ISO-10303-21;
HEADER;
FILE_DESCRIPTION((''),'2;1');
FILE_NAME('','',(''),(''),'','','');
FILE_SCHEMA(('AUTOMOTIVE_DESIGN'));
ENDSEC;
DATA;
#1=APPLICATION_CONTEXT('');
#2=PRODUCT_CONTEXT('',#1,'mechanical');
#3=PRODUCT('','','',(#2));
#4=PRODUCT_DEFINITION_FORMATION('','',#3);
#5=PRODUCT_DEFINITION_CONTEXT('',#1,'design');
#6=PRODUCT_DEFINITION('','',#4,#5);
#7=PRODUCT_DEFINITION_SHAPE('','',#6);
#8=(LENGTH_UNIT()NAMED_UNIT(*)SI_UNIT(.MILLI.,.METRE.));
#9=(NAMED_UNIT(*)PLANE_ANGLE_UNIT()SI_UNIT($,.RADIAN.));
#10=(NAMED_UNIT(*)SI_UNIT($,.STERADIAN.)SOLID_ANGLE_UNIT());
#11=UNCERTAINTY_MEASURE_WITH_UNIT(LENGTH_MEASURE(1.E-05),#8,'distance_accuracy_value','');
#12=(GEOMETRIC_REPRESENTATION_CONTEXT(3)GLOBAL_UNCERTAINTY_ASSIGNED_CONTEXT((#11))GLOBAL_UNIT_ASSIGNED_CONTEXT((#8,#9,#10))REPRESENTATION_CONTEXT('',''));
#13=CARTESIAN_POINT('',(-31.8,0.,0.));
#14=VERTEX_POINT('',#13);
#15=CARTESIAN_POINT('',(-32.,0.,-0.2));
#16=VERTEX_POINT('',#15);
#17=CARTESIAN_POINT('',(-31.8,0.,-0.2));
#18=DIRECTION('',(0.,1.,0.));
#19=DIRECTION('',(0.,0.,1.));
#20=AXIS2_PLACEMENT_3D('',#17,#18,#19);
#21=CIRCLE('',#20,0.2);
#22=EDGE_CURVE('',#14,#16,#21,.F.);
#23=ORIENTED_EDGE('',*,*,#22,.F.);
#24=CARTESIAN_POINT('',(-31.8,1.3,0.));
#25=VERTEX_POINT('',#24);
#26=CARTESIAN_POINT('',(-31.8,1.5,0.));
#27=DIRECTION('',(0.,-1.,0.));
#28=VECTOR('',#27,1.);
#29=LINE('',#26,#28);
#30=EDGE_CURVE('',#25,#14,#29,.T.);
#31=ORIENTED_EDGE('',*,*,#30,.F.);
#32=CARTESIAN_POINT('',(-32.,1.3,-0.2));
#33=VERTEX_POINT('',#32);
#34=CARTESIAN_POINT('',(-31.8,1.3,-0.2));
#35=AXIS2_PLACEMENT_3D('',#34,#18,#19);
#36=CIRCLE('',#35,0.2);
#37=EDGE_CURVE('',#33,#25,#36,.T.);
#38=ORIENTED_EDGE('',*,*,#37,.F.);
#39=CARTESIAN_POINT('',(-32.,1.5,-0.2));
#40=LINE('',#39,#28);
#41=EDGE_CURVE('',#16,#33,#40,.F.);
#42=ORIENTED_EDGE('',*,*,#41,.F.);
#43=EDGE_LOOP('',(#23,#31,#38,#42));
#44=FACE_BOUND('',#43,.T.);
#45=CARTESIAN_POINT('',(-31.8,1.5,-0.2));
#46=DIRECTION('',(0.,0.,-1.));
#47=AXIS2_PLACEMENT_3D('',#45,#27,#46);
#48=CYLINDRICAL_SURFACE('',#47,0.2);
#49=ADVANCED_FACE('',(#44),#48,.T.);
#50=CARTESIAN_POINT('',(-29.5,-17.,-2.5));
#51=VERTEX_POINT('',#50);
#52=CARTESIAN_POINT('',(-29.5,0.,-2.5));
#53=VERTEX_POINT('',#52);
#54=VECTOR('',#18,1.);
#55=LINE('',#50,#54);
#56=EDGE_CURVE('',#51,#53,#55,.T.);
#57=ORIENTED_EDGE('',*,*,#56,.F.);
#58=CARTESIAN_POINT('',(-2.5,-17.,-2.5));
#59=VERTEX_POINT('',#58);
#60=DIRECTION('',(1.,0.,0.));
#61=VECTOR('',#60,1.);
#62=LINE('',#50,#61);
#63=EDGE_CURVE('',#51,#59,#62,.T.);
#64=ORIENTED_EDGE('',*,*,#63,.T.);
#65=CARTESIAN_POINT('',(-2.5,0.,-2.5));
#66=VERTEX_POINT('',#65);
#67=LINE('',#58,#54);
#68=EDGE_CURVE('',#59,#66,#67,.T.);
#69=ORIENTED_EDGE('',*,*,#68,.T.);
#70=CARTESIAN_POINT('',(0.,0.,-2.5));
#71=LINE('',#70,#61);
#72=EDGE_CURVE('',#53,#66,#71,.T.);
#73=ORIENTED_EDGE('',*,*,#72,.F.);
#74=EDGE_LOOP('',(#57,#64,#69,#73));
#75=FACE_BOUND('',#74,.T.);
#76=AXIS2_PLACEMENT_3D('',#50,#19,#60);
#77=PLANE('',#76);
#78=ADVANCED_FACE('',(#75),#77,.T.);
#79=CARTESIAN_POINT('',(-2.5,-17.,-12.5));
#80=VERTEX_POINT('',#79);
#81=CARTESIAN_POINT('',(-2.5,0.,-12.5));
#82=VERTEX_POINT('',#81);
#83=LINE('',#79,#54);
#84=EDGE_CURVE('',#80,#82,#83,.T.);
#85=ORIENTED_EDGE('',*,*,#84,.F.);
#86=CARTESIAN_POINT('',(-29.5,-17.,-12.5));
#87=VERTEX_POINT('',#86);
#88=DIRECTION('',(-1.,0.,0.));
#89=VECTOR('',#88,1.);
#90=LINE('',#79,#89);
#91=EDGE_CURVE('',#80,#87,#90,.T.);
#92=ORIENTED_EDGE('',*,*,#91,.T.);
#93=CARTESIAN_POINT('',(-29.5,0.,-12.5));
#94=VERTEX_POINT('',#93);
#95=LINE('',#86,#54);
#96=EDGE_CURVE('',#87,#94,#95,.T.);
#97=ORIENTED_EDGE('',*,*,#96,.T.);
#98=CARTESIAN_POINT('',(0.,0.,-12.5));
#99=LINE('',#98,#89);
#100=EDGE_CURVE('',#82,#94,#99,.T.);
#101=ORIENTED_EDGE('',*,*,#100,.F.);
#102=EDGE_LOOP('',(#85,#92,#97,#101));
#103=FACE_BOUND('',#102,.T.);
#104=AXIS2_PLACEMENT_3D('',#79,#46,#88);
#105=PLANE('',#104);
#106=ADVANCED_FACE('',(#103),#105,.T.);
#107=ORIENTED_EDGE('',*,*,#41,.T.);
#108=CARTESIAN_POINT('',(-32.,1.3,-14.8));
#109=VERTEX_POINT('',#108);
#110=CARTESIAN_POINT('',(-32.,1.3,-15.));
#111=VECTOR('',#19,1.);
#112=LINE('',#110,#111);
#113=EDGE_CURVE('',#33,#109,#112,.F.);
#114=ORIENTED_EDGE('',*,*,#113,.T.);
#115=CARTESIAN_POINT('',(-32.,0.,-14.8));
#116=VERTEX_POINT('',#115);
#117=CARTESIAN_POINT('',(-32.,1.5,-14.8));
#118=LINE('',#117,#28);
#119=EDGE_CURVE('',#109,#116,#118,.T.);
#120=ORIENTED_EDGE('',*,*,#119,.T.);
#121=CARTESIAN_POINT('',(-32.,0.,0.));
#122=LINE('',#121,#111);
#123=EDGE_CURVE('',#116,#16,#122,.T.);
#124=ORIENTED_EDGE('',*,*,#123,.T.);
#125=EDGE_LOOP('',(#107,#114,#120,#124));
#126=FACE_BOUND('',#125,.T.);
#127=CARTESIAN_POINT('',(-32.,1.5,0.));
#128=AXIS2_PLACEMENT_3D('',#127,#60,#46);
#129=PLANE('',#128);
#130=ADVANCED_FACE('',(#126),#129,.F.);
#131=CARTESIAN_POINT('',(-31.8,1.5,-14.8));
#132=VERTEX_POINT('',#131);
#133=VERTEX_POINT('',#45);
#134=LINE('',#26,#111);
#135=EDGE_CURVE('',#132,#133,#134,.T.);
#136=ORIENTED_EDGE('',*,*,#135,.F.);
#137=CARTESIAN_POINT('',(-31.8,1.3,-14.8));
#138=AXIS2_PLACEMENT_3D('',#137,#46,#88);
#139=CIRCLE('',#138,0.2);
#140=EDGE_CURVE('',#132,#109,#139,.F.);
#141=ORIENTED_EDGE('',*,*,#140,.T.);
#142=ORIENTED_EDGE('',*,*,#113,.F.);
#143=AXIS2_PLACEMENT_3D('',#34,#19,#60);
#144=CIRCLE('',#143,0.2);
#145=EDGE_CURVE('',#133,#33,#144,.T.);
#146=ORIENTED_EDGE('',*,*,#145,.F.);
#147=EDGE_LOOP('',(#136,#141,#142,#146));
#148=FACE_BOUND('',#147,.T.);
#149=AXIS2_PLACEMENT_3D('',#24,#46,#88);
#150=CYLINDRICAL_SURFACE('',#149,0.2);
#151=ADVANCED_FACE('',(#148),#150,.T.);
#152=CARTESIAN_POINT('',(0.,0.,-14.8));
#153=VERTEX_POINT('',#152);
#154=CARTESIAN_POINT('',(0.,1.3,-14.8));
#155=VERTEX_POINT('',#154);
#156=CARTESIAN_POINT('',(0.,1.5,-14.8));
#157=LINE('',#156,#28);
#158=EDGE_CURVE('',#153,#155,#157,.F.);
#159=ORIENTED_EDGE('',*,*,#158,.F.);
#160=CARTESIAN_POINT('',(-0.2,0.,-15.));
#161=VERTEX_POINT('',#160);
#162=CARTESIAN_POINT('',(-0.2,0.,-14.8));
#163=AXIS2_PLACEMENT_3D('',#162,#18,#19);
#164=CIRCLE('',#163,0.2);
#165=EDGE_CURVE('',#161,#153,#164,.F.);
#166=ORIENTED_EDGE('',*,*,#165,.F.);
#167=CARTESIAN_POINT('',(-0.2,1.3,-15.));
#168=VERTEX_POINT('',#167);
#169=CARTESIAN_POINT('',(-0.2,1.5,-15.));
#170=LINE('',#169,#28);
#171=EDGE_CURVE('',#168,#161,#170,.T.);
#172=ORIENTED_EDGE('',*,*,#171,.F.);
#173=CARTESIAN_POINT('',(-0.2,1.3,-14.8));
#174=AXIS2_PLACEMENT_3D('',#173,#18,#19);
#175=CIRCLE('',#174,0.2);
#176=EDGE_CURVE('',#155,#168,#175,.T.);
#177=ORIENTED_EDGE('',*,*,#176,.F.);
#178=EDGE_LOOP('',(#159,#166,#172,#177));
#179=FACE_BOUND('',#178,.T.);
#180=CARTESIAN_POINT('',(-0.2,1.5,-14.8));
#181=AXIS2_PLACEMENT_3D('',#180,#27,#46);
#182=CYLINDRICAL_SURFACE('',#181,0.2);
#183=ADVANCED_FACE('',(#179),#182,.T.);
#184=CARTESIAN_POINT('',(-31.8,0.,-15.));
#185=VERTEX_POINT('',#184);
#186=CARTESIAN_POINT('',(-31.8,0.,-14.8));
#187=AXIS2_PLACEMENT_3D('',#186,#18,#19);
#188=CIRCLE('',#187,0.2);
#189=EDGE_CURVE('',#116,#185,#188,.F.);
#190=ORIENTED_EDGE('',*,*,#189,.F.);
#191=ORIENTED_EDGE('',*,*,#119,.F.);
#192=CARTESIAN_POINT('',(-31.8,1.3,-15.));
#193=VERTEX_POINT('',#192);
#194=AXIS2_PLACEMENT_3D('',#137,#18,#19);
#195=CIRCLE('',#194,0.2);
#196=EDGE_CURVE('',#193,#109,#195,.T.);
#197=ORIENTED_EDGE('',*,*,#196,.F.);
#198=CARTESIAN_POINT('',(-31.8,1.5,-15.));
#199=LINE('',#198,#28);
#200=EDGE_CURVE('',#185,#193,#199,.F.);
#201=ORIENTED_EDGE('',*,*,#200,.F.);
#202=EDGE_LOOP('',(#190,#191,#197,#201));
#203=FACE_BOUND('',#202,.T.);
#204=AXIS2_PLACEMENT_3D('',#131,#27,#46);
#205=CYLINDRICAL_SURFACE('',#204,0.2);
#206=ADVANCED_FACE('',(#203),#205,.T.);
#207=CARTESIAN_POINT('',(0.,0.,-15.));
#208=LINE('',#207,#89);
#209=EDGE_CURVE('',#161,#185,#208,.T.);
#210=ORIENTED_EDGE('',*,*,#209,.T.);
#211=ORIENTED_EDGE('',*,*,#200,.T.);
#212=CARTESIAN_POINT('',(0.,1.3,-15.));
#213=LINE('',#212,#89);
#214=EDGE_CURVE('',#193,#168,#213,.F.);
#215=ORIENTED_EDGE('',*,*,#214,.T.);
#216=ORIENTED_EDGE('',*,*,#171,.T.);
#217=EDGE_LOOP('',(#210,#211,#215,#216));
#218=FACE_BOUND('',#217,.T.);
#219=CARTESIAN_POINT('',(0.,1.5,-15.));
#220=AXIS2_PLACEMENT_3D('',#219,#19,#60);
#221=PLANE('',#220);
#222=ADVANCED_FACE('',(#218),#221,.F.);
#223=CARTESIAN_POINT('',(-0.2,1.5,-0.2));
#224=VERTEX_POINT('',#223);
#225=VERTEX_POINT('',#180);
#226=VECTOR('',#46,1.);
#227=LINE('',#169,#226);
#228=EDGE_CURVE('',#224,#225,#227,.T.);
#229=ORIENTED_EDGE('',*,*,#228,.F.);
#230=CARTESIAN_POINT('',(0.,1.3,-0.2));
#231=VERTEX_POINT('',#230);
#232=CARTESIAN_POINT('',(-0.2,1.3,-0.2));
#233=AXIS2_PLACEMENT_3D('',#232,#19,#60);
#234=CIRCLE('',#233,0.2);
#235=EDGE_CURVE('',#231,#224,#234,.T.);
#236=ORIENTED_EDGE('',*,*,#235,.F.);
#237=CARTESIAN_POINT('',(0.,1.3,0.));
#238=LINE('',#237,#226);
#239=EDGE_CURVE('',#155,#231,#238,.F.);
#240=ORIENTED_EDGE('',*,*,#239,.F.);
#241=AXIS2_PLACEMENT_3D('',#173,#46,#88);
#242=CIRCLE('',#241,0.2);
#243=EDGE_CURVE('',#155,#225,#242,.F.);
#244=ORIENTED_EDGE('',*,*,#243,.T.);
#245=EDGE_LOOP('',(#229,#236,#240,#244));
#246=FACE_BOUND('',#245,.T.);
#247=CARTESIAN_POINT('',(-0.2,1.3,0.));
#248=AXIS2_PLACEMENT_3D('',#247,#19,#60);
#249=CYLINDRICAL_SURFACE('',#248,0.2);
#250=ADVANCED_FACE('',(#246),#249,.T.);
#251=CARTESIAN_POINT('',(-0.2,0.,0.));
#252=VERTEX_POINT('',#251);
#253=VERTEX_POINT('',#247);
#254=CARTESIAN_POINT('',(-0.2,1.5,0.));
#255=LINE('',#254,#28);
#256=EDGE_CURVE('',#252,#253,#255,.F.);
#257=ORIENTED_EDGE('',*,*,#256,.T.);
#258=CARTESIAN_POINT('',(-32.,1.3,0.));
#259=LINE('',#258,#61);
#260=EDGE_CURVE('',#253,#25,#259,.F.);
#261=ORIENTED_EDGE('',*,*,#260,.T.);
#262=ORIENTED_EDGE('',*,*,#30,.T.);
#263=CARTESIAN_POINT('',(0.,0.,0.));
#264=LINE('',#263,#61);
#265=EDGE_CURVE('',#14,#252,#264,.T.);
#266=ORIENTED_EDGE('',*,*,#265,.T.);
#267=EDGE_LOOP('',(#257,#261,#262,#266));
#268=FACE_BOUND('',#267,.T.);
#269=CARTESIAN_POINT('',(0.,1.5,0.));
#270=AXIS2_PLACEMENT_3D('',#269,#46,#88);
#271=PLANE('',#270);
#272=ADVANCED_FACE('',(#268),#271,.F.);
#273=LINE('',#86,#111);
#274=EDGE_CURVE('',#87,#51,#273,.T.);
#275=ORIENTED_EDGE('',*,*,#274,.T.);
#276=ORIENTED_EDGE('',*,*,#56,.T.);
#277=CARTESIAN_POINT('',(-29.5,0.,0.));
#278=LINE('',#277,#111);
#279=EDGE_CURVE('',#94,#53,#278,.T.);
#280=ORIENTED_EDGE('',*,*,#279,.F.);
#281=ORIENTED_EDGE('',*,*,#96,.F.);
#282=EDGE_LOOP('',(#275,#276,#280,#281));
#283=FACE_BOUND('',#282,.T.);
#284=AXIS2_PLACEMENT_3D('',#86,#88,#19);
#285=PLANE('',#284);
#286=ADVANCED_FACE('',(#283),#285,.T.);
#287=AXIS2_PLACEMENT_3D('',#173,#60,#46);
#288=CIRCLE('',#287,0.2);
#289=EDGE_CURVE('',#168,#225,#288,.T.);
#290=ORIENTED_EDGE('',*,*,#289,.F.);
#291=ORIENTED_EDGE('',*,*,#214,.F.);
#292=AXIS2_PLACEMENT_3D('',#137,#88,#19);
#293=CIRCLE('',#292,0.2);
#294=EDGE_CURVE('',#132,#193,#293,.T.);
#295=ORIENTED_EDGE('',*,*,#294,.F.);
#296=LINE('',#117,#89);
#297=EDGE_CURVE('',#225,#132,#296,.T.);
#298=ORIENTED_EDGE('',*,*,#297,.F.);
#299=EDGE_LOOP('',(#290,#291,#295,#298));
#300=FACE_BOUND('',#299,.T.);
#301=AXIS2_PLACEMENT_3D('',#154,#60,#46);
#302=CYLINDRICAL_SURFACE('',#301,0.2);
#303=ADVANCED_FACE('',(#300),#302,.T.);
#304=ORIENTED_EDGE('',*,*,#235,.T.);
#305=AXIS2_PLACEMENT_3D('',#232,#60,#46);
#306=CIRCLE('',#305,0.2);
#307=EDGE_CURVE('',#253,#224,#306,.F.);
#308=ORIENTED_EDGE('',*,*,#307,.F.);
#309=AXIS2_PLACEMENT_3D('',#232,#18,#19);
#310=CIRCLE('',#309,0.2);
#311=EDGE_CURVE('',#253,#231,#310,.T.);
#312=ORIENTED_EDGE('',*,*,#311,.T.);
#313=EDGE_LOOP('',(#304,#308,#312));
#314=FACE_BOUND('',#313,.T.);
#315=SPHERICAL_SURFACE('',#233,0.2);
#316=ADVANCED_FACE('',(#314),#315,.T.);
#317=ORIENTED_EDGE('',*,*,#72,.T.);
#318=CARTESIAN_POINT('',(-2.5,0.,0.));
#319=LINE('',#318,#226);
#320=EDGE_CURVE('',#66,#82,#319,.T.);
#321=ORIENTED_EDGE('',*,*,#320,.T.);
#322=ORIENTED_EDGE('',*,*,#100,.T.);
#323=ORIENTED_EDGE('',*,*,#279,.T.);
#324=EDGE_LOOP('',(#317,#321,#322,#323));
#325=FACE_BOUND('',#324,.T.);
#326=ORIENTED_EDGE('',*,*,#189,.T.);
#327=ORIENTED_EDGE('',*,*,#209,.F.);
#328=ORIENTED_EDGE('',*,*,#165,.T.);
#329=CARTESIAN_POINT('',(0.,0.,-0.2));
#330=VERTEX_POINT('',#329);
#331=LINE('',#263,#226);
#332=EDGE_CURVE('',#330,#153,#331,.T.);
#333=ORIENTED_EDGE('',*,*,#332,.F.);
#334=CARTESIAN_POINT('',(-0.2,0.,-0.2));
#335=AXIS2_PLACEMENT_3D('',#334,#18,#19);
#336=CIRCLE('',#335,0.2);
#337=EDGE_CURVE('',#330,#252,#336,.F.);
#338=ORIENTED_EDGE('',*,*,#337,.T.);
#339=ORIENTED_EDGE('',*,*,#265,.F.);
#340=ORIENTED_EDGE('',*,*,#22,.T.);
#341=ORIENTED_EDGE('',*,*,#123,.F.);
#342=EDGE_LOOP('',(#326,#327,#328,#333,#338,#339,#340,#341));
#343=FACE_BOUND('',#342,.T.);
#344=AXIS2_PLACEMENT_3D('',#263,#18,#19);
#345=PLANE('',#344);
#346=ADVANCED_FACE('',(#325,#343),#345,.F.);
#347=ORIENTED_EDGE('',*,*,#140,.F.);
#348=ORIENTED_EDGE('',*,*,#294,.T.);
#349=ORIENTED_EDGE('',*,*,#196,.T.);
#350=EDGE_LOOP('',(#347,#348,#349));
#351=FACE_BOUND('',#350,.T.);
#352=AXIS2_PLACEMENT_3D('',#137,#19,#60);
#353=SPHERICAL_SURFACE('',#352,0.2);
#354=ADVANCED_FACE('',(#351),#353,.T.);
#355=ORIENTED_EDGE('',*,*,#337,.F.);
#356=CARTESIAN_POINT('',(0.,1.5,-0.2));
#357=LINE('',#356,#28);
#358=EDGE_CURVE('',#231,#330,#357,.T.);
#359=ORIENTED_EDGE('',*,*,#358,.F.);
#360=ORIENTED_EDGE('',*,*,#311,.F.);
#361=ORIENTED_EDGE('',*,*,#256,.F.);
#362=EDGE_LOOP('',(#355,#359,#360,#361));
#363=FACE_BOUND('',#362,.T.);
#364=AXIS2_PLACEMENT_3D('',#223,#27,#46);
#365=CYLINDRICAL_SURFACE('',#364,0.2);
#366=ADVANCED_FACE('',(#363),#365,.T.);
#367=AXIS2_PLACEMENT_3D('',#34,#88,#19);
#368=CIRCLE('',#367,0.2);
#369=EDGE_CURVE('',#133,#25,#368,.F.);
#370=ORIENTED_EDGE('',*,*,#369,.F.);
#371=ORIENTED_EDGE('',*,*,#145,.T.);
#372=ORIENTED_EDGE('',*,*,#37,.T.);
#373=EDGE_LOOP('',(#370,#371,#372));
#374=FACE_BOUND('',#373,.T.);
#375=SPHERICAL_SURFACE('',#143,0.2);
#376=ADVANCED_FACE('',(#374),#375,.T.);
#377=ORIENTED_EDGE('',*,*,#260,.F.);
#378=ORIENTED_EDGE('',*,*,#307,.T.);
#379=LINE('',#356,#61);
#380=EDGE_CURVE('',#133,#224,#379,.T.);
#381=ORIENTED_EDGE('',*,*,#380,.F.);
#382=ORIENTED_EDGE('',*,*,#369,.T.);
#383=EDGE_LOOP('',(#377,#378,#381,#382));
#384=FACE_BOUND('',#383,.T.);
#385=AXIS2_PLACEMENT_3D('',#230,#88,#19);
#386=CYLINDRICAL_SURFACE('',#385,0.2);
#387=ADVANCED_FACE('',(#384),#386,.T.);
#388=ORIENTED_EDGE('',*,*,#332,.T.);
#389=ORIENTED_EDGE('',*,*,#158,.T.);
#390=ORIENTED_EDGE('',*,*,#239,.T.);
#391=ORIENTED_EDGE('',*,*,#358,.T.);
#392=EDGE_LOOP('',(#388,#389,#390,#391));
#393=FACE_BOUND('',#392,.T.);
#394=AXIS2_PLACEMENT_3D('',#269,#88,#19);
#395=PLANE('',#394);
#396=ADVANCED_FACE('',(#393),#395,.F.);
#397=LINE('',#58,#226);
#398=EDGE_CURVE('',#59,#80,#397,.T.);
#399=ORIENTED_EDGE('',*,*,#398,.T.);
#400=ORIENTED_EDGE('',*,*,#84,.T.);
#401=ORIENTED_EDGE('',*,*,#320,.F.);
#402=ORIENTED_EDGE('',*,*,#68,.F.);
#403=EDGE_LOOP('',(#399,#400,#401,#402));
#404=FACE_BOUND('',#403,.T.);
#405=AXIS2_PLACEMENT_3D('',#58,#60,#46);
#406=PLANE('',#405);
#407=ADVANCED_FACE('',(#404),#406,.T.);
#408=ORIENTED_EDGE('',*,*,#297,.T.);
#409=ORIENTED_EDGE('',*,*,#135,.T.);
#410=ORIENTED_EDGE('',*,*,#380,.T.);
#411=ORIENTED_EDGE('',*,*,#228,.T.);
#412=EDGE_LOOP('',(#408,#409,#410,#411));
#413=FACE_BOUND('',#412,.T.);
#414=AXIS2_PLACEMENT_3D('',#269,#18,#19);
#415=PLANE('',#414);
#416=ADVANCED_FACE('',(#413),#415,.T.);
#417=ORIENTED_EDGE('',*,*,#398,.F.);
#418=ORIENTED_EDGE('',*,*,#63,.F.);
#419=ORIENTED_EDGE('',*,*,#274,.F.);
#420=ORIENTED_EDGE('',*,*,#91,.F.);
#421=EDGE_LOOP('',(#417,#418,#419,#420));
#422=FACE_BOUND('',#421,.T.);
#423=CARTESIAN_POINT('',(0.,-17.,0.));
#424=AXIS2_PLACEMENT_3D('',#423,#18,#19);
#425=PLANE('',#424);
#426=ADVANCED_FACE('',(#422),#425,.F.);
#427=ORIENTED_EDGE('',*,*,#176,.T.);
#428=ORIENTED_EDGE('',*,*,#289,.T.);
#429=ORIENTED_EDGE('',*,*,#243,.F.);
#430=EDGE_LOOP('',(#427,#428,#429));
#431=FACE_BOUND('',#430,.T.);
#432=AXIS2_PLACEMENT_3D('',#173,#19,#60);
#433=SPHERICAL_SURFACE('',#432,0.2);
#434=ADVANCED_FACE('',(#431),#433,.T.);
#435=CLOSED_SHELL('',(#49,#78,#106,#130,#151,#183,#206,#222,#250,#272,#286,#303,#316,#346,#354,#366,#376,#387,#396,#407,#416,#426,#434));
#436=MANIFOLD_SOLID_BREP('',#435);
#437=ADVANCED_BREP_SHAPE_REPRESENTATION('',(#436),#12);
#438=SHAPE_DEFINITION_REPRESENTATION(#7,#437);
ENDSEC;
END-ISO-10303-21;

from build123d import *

# Parameters (mm, degrees)
SKETCH1_W           = 32
SKETCH1_H           = 15
BOSS_EXTRUDE1_DEPTH = 1.5
FILLET2_R           = 0.2
SKETCH2_W           = 27
SKETCH2_H           = 10
BOSS_EXTRUDE2_DEPTH = 18.5


with BuildPart() as part:
    # Sketch1 → Boss-Extrude1 (new body)
    with BuildSketch(Plane(origin=(0, 0, 0), x_dir=(1, 0, 0), z_dir=(0, 1, 0))):
        with Locations((-16, 7.5)):
            Rectangle(SKETCH1_W, SKETCH1_H)
    extrude(amount=BOSS_EXTRUDE1_DEPTH)

    # Fillet2
    fillet2_edges = [part.edges().sort_by_distance(p)[0] for p in [
        (-32, 1.5, -7.5),
        (-16, 1.5, 0),
        (0, 1.5, -7.5),
        (-16, 1.5, -15),
        (0, 0.75, 0),
        (-32, 0.75, 0),
        (-32, 0.75, -15),
        (0, 0.75, -15),
    ]]
    fillet(fillet2_edges, radius=FILLET2_R)

    # Sketch2 → Boss-Extrude2 (add)
    with BuildSketch(Plane(origin=(0, 1.5, 0), x_dir=(1, 0, 0), z_dir=(0, 1, 0))):
        with Locations((-16, 7.5)):
            Rectangle(SKETCH2_W, SKETCH2_H)
    extrude(amount=-BOSS_EXTRUDE2_DEPTH)


solid = part.part
